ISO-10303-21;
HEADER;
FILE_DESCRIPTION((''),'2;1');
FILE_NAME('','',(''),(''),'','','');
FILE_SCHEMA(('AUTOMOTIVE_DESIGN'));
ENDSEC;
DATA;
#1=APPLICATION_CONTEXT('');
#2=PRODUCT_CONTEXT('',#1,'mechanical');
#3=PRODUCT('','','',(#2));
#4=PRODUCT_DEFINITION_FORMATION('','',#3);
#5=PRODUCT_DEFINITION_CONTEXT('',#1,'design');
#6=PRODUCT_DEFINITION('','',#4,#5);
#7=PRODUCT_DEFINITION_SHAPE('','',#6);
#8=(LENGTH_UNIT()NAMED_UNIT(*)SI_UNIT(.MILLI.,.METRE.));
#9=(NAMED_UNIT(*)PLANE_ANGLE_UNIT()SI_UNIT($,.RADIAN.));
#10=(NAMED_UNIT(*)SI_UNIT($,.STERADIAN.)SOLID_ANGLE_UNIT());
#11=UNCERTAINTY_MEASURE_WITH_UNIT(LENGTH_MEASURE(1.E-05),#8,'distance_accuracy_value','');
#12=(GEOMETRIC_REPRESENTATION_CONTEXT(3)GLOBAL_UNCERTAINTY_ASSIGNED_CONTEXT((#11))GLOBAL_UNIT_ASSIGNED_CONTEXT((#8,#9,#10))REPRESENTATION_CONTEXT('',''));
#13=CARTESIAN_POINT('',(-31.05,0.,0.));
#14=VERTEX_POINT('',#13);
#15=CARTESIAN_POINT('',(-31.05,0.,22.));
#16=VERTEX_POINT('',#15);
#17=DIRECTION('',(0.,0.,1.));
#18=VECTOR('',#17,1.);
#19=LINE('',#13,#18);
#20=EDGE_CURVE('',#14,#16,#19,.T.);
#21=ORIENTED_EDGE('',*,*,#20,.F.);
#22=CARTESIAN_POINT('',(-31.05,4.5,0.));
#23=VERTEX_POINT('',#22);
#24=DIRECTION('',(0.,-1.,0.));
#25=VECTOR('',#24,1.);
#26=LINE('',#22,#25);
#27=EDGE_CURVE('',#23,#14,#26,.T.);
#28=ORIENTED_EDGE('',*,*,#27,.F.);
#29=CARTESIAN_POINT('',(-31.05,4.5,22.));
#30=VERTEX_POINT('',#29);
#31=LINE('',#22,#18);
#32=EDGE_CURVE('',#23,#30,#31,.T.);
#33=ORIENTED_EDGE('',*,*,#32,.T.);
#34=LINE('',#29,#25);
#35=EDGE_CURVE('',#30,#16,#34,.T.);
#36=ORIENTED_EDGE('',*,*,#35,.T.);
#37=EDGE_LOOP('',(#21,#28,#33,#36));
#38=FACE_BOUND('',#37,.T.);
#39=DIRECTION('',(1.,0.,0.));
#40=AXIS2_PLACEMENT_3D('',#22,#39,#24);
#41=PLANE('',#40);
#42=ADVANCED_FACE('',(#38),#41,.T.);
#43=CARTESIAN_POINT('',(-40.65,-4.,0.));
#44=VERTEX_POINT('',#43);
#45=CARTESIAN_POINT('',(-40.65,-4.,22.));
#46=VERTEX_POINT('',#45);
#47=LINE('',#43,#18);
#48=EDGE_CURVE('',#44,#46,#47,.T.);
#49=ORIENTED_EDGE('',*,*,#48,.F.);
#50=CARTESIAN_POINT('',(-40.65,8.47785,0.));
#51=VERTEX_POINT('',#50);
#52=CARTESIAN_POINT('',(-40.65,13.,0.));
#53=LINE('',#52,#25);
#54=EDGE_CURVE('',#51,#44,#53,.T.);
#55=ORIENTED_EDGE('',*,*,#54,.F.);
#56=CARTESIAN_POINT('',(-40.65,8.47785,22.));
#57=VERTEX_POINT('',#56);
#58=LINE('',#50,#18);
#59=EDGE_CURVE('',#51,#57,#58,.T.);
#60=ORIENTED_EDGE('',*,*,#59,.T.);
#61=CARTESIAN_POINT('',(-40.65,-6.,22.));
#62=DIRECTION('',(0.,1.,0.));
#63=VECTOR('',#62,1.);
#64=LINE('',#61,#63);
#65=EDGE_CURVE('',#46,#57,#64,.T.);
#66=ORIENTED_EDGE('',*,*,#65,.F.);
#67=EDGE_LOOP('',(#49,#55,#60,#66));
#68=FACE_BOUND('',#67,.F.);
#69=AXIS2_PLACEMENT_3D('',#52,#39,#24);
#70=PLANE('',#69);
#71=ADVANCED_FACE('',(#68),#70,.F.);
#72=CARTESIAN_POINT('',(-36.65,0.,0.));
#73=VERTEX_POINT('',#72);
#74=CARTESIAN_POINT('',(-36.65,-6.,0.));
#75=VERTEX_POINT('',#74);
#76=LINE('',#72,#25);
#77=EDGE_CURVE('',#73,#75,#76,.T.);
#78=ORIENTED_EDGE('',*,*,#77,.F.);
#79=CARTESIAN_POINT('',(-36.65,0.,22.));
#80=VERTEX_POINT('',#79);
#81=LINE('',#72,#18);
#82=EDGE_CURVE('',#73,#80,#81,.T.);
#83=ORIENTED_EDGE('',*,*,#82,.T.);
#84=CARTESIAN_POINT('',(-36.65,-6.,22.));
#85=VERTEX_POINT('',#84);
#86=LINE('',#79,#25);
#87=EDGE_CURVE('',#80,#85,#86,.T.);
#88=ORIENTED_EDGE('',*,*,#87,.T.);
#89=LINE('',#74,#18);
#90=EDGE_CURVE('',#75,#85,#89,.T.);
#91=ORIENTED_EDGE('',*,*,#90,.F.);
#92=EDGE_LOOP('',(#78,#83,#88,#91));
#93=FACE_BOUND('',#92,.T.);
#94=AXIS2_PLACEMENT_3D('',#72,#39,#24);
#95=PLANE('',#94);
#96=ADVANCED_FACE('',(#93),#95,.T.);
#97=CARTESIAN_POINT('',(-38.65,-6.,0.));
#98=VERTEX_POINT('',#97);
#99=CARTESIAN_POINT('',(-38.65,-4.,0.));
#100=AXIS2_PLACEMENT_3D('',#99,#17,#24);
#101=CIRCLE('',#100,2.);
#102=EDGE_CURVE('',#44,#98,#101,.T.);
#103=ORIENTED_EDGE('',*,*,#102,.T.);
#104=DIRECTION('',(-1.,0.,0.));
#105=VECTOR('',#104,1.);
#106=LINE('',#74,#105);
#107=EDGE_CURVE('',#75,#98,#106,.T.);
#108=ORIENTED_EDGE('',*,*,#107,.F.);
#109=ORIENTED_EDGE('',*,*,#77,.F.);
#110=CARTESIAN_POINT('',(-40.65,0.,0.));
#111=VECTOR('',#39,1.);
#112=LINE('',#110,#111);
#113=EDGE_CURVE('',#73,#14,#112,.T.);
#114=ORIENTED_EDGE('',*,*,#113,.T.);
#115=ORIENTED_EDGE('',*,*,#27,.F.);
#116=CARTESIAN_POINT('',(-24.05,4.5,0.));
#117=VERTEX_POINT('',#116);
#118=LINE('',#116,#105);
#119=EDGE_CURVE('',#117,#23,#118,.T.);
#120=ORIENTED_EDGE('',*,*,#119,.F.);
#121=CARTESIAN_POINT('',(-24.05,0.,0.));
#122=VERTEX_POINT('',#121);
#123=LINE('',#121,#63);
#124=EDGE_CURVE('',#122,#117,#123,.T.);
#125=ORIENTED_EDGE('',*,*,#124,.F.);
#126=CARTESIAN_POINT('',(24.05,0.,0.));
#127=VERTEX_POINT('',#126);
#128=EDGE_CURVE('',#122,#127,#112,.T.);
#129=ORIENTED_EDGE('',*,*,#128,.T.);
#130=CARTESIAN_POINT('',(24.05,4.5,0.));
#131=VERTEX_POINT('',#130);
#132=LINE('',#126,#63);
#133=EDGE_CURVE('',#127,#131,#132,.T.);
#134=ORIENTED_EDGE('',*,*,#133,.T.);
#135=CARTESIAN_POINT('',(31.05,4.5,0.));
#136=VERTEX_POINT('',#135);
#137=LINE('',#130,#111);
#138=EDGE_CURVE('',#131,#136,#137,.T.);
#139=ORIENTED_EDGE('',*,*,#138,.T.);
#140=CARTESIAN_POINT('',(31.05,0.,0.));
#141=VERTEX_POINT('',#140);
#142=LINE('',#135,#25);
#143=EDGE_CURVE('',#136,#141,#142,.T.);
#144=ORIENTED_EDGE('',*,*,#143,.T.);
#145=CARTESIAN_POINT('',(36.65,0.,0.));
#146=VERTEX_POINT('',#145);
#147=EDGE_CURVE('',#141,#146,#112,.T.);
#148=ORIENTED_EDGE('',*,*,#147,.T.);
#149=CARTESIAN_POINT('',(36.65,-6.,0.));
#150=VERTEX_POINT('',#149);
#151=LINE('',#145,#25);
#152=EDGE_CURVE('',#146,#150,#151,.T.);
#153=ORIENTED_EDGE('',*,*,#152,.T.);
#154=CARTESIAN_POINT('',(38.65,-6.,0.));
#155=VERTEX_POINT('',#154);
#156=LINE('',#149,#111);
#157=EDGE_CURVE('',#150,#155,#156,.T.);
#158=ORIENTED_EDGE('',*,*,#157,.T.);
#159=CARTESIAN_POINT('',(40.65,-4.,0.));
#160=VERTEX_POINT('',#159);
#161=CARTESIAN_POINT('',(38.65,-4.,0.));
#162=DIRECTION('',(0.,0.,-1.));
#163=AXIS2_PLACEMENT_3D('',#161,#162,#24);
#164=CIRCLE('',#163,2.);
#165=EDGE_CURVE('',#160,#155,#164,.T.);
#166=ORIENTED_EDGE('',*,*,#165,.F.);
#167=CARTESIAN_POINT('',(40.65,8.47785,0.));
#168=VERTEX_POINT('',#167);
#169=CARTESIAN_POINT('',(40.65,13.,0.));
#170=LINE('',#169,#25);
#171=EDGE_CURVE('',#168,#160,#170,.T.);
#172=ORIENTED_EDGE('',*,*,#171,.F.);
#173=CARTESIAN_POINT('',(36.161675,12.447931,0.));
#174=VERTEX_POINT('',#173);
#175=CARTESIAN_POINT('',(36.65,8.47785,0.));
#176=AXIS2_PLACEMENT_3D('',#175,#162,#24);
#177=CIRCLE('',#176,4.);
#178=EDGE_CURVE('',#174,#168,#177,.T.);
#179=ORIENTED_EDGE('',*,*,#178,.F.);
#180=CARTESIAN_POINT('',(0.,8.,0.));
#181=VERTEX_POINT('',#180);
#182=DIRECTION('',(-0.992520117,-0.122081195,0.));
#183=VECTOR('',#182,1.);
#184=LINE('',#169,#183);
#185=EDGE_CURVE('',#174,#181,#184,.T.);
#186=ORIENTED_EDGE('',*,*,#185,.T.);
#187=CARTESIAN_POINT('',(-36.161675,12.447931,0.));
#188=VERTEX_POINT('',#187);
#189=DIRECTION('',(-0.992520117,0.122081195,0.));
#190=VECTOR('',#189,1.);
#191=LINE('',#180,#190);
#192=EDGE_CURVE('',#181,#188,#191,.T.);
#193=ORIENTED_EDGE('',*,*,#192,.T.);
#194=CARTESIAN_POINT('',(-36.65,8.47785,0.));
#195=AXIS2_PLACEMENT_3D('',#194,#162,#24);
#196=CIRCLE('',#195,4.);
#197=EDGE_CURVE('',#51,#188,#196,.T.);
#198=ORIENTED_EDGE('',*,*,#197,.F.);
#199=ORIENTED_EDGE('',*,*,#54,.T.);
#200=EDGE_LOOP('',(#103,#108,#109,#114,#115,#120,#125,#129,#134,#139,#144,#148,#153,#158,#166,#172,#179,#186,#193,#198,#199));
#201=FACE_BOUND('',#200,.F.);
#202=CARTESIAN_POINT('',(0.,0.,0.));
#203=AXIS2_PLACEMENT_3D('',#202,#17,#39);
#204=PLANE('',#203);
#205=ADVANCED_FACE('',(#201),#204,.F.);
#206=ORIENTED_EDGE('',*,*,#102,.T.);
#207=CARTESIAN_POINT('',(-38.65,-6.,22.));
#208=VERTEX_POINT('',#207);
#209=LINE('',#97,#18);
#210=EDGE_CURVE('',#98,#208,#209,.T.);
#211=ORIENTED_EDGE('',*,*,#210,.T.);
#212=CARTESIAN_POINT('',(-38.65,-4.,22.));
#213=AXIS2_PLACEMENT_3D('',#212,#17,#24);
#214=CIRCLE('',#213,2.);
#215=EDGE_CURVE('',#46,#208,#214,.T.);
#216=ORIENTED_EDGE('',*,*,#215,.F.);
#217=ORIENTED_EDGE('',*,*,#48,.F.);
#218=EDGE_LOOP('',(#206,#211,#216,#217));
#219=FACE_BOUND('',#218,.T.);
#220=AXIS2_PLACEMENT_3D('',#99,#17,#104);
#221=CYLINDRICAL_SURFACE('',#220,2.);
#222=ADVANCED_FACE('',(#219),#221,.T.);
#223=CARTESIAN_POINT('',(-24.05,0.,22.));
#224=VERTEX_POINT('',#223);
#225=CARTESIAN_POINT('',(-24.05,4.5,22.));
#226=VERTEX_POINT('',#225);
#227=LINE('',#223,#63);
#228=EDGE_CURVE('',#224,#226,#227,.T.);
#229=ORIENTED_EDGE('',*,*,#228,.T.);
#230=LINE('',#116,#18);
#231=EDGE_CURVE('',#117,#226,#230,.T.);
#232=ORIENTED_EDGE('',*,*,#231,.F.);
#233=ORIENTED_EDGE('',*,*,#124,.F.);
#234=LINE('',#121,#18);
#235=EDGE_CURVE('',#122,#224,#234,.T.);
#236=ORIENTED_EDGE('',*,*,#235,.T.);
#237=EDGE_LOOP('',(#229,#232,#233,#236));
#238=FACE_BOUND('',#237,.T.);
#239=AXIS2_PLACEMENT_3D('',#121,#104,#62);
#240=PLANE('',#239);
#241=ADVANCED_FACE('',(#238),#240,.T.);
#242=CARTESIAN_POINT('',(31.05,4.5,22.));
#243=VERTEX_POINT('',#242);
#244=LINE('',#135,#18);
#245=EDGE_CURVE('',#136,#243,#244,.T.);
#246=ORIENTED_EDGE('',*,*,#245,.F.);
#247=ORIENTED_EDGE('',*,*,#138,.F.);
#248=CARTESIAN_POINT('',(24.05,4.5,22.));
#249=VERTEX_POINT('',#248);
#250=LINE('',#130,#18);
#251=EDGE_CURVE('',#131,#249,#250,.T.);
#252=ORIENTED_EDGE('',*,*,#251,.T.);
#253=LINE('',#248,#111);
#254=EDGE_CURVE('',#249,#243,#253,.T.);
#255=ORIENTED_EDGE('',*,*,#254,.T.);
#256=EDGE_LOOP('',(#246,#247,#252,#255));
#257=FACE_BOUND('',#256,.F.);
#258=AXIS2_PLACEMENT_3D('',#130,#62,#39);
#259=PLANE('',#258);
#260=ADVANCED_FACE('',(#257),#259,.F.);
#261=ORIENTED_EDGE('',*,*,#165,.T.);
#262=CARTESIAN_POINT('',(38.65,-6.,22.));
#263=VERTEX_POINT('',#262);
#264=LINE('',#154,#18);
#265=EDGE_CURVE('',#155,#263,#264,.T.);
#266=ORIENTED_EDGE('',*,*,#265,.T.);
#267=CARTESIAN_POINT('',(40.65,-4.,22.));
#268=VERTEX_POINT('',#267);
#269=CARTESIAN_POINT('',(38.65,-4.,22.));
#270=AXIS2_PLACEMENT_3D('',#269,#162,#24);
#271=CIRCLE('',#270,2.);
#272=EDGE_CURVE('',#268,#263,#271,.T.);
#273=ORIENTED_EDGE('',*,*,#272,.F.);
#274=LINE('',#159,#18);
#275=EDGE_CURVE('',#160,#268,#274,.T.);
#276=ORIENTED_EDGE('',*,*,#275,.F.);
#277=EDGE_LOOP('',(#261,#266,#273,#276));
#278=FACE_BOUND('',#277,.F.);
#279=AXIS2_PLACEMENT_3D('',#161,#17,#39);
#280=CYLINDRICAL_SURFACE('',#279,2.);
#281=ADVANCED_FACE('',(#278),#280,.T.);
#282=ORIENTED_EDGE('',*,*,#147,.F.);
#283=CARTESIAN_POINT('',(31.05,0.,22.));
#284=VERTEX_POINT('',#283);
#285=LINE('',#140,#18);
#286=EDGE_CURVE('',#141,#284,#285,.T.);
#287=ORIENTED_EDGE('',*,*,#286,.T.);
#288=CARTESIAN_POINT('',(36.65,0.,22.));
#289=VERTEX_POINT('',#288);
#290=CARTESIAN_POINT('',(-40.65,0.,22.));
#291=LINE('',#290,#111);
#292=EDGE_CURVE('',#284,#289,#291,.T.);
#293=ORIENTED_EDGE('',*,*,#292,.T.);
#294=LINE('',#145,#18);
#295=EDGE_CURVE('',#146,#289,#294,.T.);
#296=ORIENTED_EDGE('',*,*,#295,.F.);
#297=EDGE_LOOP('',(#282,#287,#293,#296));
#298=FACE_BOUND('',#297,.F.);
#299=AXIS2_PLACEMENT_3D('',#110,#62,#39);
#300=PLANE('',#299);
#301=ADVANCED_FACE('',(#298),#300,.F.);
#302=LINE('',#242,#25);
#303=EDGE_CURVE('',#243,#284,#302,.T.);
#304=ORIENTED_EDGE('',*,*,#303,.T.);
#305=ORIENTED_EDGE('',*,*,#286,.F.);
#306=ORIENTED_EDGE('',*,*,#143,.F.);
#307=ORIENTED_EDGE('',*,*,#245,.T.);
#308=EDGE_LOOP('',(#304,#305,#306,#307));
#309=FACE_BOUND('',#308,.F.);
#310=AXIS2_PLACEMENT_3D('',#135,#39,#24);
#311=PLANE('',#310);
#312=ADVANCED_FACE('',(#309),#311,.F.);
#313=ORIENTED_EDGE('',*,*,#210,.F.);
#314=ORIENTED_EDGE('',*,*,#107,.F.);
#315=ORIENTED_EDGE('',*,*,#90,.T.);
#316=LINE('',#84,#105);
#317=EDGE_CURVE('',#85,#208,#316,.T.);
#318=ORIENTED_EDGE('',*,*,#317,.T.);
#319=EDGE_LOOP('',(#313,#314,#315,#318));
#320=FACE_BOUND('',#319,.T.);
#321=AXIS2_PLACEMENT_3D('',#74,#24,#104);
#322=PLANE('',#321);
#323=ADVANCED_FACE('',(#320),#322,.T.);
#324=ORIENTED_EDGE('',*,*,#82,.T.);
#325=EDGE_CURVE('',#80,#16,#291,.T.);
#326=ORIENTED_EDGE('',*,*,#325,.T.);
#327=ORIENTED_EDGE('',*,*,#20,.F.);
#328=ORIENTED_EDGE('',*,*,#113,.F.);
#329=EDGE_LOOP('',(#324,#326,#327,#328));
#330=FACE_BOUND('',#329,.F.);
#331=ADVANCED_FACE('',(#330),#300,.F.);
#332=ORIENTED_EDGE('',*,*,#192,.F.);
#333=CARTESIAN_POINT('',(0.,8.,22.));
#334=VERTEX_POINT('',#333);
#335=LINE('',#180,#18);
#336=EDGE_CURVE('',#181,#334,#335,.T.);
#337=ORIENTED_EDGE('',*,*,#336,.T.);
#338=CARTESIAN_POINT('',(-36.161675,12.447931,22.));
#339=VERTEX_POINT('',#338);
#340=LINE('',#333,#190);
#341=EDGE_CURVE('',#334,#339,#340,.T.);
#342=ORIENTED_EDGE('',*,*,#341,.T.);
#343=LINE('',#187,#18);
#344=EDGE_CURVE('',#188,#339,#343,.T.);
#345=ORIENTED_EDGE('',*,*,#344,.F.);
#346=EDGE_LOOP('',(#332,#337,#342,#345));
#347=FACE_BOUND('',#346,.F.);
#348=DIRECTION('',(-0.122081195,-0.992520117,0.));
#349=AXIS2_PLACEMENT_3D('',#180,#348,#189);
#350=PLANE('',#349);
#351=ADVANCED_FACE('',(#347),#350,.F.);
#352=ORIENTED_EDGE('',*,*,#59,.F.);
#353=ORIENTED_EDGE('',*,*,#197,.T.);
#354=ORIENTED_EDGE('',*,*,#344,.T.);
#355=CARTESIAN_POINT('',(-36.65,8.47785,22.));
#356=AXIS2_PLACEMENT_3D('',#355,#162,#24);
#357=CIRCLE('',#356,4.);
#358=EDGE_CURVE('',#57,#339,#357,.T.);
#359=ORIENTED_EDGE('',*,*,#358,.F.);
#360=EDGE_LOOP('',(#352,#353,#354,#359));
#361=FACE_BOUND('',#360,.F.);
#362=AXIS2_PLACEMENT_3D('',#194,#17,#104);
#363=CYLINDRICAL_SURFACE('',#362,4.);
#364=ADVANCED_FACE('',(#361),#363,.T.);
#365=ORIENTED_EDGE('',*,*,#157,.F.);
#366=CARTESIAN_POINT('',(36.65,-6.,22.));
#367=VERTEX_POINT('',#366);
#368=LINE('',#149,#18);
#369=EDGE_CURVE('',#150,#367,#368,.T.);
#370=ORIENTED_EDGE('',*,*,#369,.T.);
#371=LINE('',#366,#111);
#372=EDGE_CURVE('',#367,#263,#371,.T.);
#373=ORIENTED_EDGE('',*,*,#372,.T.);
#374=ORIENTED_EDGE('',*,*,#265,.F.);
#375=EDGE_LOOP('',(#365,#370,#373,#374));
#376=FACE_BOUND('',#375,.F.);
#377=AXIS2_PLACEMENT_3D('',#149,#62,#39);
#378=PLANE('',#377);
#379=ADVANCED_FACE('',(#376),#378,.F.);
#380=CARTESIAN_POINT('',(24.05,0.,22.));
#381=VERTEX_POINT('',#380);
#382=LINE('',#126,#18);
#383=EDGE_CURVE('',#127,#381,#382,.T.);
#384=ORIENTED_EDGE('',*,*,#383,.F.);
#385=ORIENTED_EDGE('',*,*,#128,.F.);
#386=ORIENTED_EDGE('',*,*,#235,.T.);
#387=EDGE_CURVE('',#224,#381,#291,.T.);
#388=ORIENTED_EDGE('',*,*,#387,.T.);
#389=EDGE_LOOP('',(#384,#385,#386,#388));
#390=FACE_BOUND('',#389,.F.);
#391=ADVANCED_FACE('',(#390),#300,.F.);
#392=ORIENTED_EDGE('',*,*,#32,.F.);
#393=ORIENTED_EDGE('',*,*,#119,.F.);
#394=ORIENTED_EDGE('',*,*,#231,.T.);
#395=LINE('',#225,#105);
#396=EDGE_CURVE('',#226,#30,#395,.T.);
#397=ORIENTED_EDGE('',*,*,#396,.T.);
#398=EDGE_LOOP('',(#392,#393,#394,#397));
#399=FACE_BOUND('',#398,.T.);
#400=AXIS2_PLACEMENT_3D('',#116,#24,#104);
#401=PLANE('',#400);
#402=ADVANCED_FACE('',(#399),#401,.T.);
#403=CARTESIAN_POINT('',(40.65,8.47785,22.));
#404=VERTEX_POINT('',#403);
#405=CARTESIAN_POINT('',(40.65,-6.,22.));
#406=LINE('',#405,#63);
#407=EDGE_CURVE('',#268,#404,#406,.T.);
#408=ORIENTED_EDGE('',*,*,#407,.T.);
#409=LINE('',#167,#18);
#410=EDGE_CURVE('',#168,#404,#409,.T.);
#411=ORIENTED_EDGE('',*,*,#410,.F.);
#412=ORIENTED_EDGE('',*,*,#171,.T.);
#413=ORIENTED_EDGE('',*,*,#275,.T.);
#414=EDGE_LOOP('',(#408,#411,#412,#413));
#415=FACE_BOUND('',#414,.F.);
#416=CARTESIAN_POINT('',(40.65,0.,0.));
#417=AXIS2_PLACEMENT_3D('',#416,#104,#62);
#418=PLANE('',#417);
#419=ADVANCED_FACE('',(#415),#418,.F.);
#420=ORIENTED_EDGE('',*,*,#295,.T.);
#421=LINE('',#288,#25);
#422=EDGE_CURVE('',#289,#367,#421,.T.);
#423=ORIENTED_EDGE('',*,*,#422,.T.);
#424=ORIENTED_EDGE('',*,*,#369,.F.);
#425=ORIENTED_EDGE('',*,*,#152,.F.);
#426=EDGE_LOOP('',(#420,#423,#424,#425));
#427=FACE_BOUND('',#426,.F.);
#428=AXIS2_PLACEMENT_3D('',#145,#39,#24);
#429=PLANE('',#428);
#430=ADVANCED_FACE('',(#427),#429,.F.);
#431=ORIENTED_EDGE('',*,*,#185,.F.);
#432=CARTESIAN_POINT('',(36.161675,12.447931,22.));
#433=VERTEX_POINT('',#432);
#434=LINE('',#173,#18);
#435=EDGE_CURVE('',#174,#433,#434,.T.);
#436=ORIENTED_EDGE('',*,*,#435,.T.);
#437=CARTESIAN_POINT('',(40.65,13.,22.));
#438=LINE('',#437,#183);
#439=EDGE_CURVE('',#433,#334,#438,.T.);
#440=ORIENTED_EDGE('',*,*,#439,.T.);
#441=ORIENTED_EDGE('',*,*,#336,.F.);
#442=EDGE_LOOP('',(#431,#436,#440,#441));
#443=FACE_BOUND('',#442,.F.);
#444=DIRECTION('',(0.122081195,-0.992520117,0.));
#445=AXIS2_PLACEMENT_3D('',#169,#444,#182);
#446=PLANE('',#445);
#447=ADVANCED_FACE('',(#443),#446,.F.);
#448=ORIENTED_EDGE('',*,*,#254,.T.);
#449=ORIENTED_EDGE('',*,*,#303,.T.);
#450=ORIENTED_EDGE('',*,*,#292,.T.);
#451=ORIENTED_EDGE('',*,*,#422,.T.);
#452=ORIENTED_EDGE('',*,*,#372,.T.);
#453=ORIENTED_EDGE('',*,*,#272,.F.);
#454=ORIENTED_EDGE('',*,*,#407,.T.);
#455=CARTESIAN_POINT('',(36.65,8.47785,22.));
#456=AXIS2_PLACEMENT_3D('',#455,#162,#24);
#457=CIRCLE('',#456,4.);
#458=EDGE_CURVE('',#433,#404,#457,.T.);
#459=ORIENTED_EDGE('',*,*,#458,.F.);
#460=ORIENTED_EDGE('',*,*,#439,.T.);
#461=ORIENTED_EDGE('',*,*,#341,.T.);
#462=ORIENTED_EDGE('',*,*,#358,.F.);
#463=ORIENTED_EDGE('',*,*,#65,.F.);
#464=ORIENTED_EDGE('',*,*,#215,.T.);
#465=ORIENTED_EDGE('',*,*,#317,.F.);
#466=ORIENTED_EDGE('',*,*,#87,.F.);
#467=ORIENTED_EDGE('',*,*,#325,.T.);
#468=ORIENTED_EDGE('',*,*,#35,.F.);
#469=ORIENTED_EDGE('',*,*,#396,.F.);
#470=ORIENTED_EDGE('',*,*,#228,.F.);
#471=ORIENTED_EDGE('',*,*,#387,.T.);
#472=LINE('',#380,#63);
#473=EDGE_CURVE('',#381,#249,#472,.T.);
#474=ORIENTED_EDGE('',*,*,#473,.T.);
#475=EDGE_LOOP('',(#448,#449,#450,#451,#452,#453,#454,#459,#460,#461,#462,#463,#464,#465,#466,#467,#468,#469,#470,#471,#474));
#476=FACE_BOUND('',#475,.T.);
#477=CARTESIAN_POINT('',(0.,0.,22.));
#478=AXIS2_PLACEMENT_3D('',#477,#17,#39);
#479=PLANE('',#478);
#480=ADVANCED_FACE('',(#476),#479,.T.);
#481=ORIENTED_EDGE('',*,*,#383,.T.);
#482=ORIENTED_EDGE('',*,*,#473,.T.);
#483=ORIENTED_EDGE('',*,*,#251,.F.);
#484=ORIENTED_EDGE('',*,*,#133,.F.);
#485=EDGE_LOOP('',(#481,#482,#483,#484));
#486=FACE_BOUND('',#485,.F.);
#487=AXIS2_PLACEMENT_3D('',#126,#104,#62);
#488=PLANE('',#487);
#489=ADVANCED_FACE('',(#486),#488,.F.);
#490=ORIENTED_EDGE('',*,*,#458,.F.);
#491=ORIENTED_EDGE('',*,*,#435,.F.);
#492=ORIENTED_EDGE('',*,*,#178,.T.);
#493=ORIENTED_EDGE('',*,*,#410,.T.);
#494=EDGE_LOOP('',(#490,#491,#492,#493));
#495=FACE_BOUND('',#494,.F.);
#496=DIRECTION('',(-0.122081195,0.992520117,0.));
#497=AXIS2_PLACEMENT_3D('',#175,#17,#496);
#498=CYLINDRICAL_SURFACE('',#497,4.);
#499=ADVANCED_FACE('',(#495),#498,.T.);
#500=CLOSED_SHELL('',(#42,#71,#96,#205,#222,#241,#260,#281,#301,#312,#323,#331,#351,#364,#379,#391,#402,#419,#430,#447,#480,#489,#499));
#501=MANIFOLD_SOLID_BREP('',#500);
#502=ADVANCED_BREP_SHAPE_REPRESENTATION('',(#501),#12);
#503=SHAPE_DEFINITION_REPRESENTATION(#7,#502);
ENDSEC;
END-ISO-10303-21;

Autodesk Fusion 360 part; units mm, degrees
sketch "Sketch1" plane through (0, 0, 0) normal (0, 0, 1) x (1, 0, 0)
  line L0 (-40.65, 0) -> (40.65, 0)
  line L1 (40.65, 0) -> (40.65, 13)
  line L2 (40.65, 13) -> (0, 8)
  line L3 (0, 8) -> (-40.65, 13)
  line L4 (-40.65, 13) -> (-40.65, 0)
  line L5 (0, 8) -> (0, 0) construction
  dimension "d1" = 13
  dimension "d2" = 8
  dimension "d3" = 81.3
extrude "Extrude1" add sketch "Sketch1" along normal blind 22
sketch "Sketch2" plane through (0, 0, 0) normal (0, 0, -1) x (-1, 0, 0)
  line L0 (40.65, 0) -> (40.65, 13)
  line L1 (40.65, 13) -> (0, 8)
  line L2 (0, 8) -> (-40.65, 13)
  line L3 (-40.65, 13) -> (-40.65, 0)
  line L4 (-40.65, 0) -> (40.65, 0)
  line L5 (24.05, 4.5) -> (31.05, 4.5)
  line L6 (31.05, 4.5) -> (31.05, 0)
  line L7 (31.05, 0) -> (24.05, 0)
  line L8 (24.05, 0) -> (24.05, 4.5)
  line L9 (18.6, 10.2878) -> (18.6, 0) construction
  line L10 (36.5, 12.4895) -> (36.5, 0)
  line L11 (0, 8) -> (0, 0) construction
  line L12 (-24.05, 0) -> (-24.05, 4.5)
  line L13 (-24.05, 4.5) -> (-31.05, 4.5)
  line L14 (-31.05, 0) -> (-24.05, 0)
  line L15 (-31.05, 4.5) -> (-31.05, 0)
  point P0 (27.55, 0)
  dimension "d7" = 7
  dimension "d9" = 8.95
  dimension "d10" = 4.5
  dimension "d11" = 4.15
  dimension "d12" = 17.9
extrude "Extrude2" cut sketch "Sketch2" against normal blind 22 contours L4 L5 L6 L7 L8 | L4 L12 L13 L14 L15
sketch "Sketch3" plane through (0, 0, 0) normal (0, 0, -1) x (-1, 0, 0)
  line L0 (31.05, 4.5) -> (31.05, 0)
  line L1 (31.05, 0) -> (40.65, 0)
  line L2 (40.65, 0) -> (40.65, 13)
  line L3 (40.65, 13) -> (0, 8)
  line L4 (0, 8) -> (-40.65, 13)
  line L5 (-40.65, 13) -> (-40.65, 0)
  line L6 (-40.65, 0) -> (-31.05, 0)
  line L7 (-31.05, 0) -> (-31.05, 4.5)
  line L8 (-31.05, 4.5) -> (-24.05, 4.5)
  line L9 (-24.05, 4.5) -> (-24.05, 0)
  line L10 (-24.05, 0) -> (24.05, 0)
  line L11 (24.05, 0) -> (24.05, 4.5)
  line L12 (24.05, 4.5) -> (31.05, 4.5)
  line L13 (0, 8) -> (0, 0) construction
  line L14 (40.65, 0) -> (36.65, 0)
  line L15 (36.65, 0) -> (36.65, -6)
  line L16 (36.65, -6) -> (40.65, -6)
  line L17 (40.65, -6) -> (40.65, 0)
  line L18 (-36.65, 0) -> (-36.65, -6)
  line L19 (-36.65, -6) -> (-40.65, -6)
  line L20 (-40.65, 0) -> (-36.65, 0)
  line L21 (-40.65, -6) -> (-40.65, 0)
  dimension "d15" = 4
  dimension "d16" = 6
extrude "Extrude3" add sketch "Sketch3" against normal blind 22 contours L1 L14 L15 L16 L17 | L6 L18 L19 L20 L21
fillet "Fillet1" radius 4 2 edges at (-40.65, 13, 11) (40.65, 13, 11)
fillet "Fillet2" radius 2 2 edges at (40.65, -6, 11) (-40.65, -6, 11)
equation "d3 = 73 mm + 2 * tolerance + ( 2 * 4 ) * 1 mm"
equation "tolerance = 0.15 mm"
equation "d9 = ( 17.9 / 2 ) * 1 mm"
equation "d11 = 4 mm + tolerance"
